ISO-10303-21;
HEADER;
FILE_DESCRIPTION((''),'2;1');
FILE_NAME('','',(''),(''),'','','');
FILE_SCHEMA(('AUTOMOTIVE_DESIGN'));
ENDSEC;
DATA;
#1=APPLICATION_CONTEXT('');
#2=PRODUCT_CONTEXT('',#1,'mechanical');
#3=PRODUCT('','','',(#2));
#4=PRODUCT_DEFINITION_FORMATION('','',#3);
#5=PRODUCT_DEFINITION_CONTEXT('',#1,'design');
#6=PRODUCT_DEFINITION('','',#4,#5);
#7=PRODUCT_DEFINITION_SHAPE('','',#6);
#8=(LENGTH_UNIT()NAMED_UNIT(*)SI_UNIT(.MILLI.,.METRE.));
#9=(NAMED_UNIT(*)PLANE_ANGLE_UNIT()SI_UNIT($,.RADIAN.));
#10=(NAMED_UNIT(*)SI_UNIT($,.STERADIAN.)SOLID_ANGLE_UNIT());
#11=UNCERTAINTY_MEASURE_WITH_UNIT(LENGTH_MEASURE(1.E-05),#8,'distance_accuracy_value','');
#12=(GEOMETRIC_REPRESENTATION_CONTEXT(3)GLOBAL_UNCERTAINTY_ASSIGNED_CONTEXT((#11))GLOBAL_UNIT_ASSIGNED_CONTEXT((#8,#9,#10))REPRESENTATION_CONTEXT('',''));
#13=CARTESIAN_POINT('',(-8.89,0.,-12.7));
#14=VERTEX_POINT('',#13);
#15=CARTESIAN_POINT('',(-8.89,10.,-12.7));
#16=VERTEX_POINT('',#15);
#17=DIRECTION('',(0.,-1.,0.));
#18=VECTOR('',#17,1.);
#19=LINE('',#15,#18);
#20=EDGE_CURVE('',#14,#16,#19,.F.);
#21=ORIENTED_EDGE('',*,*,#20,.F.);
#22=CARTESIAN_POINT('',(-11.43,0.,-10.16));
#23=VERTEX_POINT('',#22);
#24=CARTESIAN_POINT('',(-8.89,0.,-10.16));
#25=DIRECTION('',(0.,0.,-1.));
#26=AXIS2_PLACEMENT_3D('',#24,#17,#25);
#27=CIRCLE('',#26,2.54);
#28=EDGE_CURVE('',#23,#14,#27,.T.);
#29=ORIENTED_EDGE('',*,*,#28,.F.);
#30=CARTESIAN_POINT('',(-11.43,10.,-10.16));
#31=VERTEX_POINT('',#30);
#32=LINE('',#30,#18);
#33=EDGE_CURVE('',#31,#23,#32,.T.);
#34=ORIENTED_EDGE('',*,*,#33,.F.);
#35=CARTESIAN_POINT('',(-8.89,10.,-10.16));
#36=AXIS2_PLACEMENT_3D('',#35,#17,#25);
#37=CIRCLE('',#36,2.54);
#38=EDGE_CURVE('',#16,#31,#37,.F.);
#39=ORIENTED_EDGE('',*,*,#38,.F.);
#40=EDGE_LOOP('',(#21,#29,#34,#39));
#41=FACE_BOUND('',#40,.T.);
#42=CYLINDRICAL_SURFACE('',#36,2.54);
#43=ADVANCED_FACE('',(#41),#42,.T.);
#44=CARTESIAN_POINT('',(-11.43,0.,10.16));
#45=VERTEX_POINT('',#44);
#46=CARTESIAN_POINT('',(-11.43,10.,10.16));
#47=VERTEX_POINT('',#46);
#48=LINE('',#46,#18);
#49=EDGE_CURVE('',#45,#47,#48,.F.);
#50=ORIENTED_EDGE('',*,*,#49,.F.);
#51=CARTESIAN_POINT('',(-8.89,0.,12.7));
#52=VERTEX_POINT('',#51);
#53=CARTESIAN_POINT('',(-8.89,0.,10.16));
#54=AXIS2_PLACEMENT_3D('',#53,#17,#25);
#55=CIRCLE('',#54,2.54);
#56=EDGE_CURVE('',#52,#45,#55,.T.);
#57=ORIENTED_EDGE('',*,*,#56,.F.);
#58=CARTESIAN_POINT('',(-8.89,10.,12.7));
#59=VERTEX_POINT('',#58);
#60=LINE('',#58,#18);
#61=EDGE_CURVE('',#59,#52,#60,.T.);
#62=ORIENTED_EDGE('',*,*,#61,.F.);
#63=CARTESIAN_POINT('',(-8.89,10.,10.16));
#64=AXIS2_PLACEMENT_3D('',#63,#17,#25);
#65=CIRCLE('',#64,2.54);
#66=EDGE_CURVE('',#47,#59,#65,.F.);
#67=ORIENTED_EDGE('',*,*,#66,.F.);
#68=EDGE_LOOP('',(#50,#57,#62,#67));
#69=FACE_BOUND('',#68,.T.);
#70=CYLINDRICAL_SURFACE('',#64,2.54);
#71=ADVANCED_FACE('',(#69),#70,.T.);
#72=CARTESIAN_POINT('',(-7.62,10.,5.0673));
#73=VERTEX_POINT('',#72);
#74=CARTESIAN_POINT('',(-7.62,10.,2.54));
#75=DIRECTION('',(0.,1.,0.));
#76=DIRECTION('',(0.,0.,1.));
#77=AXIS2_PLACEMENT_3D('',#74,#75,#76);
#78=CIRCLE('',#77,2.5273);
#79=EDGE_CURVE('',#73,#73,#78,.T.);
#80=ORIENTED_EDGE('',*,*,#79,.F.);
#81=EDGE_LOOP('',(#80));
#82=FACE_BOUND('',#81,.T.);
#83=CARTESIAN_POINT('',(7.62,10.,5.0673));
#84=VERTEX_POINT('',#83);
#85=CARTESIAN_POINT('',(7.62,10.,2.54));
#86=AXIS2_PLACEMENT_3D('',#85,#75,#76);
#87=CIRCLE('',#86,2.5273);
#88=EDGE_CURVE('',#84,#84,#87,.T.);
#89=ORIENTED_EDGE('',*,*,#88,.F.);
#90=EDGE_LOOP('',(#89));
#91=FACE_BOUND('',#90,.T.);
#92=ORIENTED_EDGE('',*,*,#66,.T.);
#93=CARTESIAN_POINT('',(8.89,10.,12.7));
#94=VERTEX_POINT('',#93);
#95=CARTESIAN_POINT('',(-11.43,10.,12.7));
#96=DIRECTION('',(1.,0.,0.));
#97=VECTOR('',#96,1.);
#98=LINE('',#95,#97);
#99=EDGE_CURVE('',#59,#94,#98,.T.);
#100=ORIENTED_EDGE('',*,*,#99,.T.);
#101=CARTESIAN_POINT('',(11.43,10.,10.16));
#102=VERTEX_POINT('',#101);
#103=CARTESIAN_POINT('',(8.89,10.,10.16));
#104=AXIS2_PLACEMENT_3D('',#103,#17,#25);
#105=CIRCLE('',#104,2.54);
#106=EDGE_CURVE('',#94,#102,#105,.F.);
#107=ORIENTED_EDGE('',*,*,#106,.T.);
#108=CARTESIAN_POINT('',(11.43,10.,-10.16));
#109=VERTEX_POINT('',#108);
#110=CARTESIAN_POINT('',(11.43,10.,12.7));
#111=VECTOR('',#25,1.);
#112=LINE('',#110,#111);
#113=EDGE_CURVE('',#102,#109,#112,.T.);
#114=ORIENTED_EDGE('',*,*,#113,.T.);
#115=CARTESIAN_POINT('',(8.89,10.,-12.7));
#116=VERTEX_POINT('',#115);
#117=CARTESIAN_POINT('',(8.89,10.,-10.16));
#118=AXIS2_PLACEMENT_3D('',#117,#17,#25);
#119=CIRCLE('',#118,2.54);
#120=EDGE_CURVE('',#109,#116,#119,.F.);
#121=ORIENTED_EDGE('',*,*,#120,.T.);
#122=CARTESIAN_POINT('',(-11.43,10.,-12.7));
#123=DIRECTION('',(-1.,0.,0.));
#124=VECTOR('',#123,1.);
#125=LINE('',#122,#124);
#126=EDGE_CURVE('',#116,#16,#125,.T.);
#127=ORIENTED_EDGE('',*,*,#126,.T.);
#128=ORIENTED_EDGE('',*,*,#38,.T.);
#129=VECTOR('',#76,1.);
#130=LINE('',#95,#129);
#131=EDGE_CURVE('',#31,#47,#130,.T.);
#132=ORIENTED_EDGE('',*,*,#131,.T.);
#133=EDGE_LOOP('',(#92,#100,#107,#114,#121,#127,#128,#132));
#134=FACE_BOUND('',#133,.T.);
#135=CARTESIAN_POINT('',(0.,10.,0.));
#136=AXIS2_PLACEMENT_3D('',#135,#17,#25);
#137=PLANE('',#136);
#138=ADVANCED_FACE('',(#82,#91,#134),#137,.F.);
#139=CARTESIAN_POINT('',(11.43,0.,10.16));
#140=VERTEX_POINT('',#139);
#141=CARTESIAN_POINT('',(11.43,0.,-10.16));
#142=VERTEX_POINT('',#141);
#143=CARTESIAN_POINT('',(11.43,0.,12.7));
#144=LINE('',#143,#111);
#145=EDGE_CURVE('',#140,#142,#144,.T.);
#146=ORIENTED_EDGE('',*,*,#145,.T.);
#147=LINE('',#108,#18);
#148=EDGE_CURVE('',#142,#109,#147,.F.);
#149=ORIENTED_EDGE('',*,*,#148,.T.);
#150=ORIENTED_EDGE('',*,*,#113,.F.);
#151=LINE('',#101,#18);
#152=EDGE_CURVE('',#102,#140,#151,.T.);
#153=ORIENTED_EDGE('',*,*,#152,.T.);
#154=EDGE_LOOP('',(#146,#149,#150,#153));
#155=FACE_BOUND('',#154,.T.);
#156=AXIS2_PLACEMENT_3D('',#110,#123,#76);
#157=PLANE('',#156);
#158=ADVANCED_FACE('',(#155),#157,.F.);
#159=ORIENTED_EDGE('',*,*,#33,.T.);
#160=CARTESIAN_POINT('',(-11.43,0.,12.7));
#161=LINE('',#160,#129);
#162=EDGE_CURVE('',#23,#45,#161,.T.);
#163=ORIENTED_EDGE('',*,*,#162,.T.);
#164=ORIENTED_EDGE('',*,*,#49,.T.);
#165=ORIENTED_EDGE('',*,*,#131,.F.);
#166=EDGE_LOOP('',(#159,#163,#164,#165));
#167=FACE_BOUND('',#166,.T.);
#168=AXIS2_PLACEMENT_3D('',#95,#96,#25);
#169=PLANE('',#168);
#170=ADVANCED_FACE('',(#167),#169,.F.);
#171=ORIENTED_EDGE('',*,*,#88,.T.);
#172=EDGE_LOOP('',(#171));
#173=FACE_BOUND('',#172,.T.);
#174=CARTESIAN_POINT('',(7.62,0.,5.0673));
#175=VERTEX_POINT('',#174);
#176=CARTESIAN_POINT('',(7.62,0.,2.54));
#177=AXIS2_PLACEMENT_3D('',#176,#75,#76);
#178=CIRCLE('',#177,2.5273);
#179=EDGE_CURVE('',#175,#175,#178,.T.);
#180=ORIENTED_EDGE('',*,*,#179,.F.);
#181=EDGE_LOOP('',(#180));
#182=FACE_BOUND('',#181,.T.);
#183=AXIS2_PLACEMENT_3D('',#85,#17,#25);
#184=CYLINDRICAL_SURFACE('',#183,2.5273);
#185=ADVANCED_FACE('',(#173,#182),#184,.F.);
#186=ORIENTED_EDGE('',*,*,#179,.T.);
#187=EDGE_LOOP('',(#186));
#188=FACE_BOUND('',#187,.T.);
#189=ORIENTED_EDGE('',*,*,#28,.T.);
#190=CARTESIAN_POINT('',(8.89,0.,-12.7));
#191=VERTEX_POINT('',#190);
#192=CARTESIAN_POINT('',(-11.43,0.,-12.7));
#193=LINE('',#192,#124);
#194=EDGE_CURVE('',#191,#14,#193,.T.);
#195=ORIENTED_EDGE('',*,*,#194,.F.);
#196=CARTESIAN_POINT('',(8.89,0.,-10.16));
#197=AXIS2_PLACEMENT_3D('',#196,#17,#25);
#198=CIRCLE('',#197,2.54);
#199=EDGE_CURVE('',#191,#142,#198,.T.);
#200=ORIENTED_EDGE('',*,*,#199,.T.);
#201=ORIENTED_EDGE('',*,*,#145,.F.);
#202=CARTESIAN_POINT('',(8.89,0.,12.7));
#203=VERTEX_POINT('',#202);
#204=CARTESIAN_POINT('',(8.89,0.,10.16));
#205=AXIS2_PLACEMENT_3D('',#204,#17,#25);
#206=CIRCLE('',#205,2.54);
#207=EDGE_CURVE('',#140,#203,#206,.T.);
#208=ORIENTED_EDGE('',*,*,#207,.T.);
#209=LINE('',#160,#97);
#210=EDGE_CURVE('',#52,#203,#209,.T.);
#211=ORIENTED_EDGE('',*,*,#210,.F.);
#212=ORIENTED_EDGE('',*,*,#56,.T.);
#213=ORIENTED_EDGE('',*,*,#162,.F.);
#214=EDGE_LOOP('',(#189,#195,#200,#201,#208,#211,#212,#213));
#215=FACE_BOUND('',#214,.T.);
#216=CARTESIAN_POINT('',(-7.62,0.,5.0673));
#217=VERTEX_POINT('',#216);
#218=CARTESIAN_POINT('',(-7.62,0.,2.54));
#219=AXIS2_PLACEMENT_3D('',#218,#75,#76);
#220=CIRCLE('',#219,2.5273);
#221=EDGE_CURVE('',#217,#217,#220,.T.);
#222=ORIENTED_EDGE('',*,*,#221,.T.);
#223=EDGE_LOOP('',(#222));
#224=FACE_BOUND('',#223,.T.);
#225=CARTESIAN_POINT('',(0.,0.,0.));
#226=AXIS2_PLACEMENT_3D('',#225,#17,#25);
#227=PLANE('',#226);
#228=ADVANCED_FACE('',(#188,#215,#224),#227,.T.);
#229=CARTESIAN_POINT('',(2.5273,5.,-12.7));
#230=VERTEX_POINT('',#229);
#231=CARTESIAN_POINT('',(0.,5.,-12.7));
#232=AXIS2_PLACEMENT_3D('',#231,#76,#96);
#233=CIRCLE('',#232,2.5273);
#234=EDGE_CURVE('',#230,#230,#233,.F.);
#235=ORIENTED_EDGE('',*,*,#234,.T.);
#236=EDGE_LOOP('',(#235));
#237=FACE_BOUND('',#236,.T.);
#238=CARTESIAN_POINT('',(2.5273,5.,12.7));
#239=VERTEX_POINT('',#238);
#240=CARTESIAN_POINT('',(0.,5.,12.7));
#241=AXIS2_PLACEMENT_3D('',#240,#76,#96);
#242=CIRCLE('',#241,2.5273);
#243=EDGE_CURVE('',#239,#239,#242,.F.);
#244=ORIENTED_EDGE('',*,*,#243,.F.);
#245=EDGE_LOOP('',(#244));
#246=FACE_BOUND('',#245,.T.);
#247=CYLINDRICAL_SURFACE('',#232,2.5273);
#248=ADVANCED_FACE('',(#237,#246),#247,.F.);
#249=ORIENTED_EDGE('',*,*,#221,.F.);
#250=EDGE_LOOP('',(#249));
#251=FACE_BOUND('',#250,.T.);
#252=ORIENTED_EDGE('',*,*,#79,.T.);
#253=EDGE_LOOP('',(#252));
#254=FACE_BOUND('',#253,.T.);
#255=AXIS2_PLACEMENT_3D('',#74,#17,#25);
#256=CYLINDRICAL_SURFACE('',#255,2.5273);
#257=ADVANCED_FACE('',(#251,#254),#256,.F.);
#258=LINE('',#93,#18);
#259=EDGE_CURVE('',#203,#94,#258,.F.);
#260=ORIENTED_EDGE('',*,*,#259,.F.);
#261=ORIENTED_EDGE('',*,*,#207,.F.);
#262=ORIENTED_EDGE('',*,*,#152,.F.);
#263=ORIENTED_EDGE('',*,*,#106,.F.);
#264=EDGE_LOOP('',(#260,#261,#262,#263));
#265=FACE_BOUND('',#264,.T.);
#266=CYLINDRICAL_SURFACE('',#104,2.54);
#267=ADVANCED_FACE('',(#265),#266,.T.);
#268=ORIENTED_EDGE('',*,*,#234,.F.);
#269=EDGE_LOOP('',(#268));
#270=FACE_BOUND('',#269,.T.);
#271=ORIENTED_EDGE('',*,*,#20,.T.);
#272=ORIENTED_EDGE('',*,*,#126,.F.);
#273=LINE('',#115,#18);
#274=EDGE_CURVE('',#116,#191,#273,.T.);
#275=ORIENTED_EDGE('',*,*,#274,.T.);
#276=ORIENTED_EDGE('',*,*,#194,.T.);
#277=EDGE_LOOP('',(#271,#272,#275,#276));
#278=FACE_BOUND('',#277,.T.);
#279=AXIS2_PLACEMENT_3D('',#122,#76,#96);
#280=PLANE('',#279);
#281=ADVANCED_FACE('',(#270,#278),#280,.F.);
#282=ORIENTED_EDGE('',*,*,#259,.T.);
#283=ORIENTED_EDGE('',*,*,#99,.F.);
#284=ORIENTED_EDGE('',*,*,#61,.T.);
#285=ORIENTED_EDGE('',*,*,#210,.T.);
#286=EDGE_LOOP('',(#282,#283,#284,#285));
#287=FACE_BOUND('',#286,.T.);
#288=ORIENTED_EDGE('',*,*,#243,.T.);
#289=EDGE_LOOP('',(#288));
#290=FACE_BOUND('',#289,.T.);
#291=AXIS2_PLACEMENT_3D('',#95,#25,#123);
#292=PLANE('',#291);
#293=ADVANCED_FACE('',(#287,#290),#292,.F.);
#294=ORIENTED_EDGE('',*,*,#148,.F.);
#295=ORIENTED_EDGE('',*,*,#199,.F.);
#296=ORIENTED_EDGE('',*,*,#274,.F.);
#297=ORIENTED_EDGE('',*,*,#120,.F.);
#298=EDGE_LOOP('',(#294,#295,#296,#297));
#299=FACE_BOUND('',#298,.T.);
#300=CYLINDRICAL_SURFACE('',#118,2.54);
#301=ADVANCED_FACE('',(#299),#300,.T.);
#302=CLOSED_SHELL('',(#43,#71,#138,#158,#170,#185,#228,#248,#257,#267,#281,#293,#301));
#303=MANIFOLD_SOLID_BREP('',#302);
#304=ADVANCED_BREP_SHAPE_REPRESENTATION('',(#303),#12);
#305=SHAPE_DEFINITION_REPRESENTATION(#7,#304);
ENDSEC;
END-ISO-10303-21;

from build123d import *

# Parameters (mm, degrees)
SKETCH1_W           = 22.86
SKETCH1_H           = 25.4
SKETCH1_R           = 2.5273
BOSS_EXTRUDE1_DEPTH = 10
FILLET1_R           = 2.54
CUT_EXTRUDE1_DEPTH  = 30.594001081


with BuildPart() as part:
    # Sketch1 → Boss-Extrude1 (new body)
    with BuildSketch(Plane(origin=(0, 0, 0), x_dir=(1, 0, 0), z_dir=(0, 1, 0))):
        Rectangle(SKETCH1_W, SKETCH1_H)
        with Locations(Location((-7.62, -2.54, 0), (0, 0, 270))):
            Circle(SKETCH1_R, mode=Mode.SUBTRACT)
        with Locations(Location((7.62, -2.54, 0), (0, 0, 270))):
            Circle(SKETCH1_R, mode=Mode.SUBTRACT)
    extrude(amount=BOSS_EXTRUDE1_DEPTH)

    # Fillet1
    fillet1_edges = [part.edges().sort_by_distance(p)[0] for p in [
        (11.43, 5, 12.7),
        (-11.43, 5, 12.7),
        (-11.43, 5, -12.7),
        (11.43, 5, -12.7),
    ]]
    fillet(fillet1_edges, radius=FILLET1_R)

    # Sketch4 → Cut-Extrude1 (cut, through all)
    with BuildSketch(Plane(origin=(0, 0, 12.7), x_dir=(-1, 0, 0), z_dir=(0, 0, -1))):
        with BuildLine():
            ThreePointArc((0, 7.5273), (-2.5273, 5), (0, 2.4727))
            Line((0, 2.4727), (0, 7.5273))
        make_face()
        with BuildLine():
            Line((0, 7.5273), (0, 2.4727))
            ThreePointArc((0, 2.4727), (1.787070968, 3.212929032), (2.5273, 5))
            ThreePointArc((2.5273, 5), (1.787070968, 6.787070968), (0, 7.5273))
        make_face()
    extrude(amount=CUT_EXTRUDE1_DEPTH, mode=Mode.SUBTRACT)


solid = part.part
